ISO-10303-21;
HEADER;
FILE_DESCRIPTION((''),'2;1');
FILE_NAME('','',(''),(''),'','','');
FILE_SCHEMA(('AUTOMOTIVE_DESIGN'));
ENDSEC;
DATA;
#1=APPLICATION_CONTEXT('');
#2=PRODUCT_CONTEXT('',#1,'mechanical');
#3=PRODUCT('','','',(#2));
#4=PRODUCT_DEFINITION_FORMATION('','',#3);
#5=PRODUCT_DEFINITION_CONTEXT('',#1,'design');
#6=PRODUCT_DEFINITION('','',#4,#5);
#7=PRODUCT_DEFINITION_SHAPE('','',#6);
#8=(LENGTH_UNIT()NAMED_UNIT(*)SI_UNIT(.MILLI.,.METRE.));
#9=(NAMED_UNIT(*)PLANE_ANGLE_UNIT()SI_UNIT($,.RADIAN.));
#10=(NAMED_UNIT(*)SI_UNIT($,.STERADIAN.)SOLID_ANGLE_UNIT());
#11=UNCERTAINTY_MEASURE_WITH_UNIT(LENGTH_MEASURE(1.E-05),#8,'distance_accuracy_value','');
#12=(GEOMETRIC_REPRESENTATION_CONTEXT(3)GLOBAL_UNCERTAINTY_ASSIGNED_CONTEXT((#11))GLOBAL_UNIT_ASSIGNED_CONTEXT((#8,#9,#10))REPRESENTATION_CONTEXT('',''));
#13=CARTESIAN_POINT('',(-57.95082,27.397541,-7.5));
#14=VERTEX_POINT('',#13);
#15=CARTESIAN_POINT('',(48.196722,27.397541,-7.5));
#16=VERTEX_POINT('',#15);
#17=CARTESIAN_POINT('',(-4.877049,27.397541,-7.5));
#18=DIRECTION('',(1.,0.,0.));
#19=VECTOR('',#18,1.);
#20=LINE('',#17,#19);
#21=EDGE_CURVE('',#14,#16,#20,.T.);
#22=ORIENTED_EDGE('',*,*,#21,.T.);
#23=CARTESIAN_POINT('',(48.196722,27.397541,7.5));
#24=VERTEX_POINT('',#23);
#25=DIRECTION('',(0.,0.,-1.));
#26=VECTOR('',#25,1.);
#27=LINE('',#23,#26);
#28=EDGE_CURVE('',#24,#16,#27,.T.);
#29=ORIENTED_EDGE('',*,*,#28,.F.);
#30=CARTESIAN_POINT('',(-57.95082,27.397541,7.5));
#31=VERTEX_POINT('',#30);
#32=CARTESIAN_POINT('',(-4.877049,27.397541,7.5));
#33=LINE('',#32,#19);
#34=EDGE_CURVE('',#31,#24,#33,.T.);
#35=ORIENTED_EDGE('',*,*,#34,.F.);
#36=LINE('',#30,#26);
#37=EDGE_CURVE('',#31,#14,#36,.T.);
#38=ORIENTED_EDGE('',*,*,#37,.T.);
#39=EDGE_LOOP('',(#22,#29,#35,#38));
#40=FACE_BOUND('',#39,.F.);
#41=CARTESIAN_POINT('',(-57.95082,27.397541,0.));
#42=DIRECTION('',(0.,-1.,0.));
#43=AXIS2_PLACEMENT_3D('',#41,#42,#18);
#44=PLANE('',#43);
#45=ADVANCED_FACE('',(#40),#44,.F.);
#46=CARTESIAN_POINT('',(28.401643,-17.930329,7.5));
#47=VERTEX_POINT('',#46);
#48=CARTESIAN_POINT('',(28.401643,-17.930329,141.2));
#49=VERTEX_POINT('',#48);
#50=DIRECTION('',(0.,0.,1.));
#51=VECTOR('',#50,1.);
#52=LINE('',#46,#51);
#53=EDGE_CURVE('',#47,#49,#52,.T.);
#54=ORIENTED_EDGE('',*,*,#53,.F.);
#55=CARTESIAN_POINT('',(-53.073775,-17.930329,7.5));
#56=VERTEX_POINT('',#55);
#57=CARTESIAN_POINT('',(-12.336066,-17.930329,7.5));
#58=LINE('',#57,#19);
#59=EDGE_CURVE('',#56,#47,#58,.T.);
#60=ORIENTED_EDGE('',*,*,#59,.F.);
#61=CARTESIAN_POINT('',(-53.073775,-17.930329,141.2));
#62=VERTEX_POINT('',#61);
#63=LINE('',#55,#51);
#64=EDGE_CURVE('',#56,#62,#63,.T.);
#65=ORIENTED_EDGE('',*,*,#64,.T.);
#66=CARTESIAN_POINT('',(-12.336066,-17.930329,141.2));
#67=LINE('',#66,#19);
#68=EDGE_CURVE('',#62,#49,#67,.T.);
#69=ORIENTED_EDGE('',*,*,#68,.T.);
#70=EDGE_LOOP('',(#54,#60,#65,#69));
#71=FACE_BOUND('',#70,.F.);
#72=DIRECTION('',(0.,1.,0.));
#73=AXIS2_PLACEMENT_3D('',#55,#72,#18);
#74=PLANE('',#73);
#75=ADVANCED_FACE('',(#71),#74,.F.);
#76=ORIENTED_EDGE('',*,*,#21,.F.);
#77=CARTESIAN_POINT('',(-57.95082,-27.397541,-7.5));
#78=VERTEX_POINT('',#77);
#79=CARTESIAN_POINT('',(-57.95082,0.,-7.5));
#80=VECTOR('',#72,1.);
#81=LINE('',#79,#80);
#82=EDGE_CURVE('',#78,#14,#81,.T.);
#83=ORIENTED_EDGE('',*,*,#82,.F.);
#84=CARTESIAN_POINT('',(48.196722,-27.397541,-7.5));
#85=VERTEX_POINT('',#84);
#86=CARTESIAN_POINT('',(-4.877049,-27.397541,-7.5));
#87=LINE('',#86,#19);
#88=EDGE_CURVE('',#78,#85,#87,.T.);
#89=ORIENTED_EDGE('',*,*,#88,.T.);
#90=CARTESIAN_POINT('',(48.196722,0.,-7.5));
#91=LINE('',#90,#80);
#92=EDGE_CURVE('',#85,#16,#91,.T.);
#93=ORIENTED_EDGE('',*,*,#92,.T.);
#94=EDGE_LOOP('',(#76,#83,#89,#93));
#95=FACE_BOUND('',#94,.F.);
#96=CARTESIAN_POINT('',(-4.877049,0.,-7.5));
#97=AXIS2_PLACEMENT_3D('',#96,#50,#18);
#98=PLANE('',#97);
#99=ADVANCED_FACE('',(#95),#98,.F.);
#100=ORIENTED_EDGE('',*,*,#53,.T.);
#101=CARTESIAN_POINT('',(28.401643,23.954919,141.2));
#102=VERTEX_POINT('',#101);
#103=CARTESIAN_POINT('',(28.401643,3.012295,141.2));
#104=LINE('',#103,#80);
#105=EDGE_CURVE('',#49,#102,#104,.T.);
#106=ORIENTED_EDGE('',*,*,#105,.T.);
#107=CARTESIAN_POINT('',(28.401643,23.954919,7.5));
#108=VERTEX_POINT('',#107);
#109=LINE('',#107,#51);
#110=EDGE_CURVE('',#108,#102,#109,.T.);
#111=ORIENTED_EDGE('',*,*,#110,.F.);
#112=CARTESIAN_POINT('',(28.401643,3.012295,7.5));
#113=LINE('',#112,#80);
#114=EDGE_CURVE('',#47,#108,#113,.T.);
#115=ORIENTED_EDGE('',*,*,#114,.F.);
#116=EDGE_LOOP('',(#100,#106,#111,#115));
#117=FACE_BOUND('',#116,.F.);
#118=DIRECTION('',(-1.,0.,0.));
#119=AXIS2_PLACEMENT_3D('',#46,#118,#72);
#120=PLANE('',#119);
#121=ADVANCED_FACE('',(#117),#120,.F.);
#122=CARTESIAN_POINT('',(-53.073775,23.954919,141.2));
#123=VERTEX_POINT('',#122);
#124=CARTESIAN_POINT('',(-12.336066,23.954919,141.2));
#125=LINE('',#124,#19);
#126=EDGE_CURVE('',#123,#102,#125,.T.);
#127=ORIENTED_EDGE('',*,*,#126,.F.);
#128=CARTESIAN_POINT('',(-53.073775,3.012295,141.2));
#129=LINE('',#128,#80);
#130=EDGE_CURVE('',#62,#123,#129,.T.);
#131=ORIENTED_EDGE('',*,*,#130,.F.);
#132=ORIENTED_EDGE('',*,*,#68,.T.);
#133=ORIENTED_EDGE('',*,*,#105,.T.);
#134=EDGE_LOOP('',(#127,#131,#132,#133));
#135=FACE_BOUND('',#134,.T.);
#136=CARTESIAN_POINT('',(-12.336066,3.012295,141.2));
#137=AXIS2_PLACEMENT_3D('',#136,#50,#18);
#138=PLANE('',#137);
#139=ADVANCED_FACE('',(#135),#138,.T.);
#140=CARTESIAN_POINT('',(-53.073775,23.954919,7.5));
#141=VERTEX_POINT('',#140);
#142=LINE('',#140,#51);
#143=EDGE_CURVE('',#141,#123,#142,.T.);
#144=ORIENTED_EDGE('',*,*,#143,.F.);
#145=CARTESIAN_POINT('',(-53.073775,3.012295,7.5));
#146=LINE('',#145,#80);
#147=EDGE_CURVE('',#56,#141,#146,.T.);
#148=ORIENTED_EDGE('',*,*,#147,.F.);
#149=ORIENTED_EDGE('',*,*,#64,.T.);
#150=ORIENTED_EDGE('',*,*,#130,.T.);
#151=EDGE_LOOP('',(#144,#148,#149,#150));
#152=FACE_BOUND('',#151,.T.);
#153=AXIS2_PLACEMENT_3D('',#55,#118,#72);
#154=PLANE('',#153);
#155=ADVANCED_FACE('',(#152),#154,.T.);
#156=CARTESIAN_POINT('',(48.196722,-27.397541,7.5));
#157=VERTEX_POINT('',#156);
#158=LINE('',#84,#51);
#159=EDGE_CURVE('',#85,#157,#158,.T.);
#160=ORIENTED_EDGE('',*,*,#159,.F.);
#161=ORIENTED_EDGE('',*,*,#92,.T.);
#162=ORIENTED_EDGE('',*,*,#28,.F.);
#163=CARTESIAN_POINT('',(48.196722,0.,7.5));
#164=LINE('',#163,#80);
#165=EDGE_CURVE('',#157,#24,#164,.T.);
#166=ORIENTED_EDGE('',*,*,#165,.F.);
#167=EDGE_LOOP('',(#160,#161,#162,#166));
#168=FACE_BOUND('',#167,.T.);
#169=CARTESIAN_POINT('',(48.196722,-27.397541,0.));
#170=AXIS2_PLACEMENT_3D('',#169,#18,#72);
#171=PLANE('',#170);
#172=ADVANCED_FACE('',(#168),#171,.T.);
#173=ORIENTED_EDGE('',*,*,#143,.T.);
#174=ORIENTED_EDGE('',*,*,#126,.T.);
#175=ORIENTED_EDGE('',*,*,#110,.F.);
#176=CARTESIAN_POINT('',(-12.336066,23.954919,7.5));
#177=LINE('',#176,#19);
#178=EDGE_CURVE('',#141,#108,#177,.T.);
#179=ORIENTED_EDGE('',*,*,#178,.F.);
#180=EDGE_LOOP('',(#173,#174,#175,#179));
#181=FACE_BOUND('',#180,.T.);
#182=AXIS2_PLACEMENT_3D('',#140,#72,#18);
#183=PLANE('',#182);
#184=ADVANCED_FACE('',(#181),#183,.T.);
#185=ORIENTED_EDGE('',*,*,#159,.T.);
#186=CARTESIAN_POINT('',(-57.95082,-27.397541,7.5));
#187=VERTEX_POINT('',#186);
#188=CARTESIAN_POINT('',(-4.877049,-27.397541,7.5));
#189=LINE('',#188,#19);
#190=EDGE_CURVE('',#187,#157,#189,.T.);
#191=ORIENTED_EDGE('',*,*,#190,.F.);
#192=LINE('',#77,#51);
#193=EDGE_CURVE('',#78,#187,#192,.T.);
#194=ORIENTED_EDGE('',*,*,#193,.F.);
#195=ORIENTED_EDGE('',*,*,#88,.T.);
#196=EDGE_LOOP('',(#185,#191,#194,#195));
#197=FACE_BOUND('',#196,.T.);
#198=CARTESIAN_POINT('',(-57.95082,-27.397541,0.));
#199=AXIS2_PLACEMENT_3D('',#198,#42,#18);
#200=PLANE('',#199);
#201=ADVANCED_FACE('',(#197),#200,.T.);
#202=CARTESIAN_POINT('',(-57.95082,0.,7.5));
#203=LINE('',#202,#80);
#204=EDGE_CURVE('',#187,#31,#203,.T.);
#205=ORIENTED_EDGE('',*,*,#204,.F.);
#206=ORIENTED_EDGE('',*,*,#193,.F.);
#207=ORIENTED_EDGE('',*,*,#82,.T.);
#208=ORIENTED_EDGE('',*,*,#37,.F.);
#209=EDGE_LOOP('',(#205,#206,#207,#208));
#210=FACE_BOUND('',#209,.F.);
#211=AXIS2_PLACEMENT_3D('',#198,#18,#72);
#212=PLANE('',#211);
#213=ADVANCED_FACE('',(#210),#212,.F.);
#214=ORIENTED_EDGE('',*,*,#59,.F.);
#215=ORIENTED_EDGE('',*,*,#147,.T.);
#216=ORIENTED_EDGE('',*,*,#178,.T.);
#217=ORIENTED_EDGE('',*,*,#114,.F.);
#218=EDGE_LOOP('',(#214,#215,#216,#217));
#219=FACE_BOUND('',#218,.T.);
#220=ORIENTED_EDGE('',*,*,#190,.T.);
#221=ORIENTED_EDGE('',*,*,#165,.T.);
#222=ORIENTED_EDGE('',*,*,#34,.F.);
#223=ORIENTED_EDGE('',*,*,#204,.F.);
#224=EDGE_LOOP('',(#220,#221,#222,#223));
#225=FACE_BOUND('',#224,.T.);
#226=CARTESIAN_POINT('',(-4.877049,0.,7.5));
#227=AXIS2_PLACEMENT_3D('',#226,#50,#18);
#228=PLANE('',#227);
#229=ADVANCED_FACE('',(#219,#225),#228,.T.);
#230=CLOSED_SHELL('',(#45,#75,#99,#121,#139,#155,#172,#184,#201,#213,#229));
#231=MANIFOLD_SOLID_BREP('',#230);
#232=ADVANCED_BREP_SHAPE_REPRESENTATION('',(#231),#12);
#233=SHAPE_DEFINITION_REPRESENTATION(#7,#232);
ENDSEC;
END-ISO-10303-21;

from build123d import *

# Parameters (mm, degrees)
F0_W     = 106.147542
F0_H     = 54.795082
F1_DEPTH = 7.5
F2_W     = 81.475418
F2_H     = 41.885248
F3_DEPTH = 133.7


with BuildPart() as f1:
    # F0 (on Top) → F1 (new body, symmetric)
    with BuildSketch(Plane.XY):
        with Locations((-4.877049, 0)):
            Rectangle(F0_W, F0_H)
    extrude(amount=F1_DEPTH, both=True)

    # F2 (on face) → F3 (join)
    with BuildSketch(Plane.XY.offset(7.5)):
        with Locations((-12.336066, 3.012295)):
            Rectangle(F2_W, F2_H)
    extrude(amount=F3_DEPTH)


solid = f1.part
